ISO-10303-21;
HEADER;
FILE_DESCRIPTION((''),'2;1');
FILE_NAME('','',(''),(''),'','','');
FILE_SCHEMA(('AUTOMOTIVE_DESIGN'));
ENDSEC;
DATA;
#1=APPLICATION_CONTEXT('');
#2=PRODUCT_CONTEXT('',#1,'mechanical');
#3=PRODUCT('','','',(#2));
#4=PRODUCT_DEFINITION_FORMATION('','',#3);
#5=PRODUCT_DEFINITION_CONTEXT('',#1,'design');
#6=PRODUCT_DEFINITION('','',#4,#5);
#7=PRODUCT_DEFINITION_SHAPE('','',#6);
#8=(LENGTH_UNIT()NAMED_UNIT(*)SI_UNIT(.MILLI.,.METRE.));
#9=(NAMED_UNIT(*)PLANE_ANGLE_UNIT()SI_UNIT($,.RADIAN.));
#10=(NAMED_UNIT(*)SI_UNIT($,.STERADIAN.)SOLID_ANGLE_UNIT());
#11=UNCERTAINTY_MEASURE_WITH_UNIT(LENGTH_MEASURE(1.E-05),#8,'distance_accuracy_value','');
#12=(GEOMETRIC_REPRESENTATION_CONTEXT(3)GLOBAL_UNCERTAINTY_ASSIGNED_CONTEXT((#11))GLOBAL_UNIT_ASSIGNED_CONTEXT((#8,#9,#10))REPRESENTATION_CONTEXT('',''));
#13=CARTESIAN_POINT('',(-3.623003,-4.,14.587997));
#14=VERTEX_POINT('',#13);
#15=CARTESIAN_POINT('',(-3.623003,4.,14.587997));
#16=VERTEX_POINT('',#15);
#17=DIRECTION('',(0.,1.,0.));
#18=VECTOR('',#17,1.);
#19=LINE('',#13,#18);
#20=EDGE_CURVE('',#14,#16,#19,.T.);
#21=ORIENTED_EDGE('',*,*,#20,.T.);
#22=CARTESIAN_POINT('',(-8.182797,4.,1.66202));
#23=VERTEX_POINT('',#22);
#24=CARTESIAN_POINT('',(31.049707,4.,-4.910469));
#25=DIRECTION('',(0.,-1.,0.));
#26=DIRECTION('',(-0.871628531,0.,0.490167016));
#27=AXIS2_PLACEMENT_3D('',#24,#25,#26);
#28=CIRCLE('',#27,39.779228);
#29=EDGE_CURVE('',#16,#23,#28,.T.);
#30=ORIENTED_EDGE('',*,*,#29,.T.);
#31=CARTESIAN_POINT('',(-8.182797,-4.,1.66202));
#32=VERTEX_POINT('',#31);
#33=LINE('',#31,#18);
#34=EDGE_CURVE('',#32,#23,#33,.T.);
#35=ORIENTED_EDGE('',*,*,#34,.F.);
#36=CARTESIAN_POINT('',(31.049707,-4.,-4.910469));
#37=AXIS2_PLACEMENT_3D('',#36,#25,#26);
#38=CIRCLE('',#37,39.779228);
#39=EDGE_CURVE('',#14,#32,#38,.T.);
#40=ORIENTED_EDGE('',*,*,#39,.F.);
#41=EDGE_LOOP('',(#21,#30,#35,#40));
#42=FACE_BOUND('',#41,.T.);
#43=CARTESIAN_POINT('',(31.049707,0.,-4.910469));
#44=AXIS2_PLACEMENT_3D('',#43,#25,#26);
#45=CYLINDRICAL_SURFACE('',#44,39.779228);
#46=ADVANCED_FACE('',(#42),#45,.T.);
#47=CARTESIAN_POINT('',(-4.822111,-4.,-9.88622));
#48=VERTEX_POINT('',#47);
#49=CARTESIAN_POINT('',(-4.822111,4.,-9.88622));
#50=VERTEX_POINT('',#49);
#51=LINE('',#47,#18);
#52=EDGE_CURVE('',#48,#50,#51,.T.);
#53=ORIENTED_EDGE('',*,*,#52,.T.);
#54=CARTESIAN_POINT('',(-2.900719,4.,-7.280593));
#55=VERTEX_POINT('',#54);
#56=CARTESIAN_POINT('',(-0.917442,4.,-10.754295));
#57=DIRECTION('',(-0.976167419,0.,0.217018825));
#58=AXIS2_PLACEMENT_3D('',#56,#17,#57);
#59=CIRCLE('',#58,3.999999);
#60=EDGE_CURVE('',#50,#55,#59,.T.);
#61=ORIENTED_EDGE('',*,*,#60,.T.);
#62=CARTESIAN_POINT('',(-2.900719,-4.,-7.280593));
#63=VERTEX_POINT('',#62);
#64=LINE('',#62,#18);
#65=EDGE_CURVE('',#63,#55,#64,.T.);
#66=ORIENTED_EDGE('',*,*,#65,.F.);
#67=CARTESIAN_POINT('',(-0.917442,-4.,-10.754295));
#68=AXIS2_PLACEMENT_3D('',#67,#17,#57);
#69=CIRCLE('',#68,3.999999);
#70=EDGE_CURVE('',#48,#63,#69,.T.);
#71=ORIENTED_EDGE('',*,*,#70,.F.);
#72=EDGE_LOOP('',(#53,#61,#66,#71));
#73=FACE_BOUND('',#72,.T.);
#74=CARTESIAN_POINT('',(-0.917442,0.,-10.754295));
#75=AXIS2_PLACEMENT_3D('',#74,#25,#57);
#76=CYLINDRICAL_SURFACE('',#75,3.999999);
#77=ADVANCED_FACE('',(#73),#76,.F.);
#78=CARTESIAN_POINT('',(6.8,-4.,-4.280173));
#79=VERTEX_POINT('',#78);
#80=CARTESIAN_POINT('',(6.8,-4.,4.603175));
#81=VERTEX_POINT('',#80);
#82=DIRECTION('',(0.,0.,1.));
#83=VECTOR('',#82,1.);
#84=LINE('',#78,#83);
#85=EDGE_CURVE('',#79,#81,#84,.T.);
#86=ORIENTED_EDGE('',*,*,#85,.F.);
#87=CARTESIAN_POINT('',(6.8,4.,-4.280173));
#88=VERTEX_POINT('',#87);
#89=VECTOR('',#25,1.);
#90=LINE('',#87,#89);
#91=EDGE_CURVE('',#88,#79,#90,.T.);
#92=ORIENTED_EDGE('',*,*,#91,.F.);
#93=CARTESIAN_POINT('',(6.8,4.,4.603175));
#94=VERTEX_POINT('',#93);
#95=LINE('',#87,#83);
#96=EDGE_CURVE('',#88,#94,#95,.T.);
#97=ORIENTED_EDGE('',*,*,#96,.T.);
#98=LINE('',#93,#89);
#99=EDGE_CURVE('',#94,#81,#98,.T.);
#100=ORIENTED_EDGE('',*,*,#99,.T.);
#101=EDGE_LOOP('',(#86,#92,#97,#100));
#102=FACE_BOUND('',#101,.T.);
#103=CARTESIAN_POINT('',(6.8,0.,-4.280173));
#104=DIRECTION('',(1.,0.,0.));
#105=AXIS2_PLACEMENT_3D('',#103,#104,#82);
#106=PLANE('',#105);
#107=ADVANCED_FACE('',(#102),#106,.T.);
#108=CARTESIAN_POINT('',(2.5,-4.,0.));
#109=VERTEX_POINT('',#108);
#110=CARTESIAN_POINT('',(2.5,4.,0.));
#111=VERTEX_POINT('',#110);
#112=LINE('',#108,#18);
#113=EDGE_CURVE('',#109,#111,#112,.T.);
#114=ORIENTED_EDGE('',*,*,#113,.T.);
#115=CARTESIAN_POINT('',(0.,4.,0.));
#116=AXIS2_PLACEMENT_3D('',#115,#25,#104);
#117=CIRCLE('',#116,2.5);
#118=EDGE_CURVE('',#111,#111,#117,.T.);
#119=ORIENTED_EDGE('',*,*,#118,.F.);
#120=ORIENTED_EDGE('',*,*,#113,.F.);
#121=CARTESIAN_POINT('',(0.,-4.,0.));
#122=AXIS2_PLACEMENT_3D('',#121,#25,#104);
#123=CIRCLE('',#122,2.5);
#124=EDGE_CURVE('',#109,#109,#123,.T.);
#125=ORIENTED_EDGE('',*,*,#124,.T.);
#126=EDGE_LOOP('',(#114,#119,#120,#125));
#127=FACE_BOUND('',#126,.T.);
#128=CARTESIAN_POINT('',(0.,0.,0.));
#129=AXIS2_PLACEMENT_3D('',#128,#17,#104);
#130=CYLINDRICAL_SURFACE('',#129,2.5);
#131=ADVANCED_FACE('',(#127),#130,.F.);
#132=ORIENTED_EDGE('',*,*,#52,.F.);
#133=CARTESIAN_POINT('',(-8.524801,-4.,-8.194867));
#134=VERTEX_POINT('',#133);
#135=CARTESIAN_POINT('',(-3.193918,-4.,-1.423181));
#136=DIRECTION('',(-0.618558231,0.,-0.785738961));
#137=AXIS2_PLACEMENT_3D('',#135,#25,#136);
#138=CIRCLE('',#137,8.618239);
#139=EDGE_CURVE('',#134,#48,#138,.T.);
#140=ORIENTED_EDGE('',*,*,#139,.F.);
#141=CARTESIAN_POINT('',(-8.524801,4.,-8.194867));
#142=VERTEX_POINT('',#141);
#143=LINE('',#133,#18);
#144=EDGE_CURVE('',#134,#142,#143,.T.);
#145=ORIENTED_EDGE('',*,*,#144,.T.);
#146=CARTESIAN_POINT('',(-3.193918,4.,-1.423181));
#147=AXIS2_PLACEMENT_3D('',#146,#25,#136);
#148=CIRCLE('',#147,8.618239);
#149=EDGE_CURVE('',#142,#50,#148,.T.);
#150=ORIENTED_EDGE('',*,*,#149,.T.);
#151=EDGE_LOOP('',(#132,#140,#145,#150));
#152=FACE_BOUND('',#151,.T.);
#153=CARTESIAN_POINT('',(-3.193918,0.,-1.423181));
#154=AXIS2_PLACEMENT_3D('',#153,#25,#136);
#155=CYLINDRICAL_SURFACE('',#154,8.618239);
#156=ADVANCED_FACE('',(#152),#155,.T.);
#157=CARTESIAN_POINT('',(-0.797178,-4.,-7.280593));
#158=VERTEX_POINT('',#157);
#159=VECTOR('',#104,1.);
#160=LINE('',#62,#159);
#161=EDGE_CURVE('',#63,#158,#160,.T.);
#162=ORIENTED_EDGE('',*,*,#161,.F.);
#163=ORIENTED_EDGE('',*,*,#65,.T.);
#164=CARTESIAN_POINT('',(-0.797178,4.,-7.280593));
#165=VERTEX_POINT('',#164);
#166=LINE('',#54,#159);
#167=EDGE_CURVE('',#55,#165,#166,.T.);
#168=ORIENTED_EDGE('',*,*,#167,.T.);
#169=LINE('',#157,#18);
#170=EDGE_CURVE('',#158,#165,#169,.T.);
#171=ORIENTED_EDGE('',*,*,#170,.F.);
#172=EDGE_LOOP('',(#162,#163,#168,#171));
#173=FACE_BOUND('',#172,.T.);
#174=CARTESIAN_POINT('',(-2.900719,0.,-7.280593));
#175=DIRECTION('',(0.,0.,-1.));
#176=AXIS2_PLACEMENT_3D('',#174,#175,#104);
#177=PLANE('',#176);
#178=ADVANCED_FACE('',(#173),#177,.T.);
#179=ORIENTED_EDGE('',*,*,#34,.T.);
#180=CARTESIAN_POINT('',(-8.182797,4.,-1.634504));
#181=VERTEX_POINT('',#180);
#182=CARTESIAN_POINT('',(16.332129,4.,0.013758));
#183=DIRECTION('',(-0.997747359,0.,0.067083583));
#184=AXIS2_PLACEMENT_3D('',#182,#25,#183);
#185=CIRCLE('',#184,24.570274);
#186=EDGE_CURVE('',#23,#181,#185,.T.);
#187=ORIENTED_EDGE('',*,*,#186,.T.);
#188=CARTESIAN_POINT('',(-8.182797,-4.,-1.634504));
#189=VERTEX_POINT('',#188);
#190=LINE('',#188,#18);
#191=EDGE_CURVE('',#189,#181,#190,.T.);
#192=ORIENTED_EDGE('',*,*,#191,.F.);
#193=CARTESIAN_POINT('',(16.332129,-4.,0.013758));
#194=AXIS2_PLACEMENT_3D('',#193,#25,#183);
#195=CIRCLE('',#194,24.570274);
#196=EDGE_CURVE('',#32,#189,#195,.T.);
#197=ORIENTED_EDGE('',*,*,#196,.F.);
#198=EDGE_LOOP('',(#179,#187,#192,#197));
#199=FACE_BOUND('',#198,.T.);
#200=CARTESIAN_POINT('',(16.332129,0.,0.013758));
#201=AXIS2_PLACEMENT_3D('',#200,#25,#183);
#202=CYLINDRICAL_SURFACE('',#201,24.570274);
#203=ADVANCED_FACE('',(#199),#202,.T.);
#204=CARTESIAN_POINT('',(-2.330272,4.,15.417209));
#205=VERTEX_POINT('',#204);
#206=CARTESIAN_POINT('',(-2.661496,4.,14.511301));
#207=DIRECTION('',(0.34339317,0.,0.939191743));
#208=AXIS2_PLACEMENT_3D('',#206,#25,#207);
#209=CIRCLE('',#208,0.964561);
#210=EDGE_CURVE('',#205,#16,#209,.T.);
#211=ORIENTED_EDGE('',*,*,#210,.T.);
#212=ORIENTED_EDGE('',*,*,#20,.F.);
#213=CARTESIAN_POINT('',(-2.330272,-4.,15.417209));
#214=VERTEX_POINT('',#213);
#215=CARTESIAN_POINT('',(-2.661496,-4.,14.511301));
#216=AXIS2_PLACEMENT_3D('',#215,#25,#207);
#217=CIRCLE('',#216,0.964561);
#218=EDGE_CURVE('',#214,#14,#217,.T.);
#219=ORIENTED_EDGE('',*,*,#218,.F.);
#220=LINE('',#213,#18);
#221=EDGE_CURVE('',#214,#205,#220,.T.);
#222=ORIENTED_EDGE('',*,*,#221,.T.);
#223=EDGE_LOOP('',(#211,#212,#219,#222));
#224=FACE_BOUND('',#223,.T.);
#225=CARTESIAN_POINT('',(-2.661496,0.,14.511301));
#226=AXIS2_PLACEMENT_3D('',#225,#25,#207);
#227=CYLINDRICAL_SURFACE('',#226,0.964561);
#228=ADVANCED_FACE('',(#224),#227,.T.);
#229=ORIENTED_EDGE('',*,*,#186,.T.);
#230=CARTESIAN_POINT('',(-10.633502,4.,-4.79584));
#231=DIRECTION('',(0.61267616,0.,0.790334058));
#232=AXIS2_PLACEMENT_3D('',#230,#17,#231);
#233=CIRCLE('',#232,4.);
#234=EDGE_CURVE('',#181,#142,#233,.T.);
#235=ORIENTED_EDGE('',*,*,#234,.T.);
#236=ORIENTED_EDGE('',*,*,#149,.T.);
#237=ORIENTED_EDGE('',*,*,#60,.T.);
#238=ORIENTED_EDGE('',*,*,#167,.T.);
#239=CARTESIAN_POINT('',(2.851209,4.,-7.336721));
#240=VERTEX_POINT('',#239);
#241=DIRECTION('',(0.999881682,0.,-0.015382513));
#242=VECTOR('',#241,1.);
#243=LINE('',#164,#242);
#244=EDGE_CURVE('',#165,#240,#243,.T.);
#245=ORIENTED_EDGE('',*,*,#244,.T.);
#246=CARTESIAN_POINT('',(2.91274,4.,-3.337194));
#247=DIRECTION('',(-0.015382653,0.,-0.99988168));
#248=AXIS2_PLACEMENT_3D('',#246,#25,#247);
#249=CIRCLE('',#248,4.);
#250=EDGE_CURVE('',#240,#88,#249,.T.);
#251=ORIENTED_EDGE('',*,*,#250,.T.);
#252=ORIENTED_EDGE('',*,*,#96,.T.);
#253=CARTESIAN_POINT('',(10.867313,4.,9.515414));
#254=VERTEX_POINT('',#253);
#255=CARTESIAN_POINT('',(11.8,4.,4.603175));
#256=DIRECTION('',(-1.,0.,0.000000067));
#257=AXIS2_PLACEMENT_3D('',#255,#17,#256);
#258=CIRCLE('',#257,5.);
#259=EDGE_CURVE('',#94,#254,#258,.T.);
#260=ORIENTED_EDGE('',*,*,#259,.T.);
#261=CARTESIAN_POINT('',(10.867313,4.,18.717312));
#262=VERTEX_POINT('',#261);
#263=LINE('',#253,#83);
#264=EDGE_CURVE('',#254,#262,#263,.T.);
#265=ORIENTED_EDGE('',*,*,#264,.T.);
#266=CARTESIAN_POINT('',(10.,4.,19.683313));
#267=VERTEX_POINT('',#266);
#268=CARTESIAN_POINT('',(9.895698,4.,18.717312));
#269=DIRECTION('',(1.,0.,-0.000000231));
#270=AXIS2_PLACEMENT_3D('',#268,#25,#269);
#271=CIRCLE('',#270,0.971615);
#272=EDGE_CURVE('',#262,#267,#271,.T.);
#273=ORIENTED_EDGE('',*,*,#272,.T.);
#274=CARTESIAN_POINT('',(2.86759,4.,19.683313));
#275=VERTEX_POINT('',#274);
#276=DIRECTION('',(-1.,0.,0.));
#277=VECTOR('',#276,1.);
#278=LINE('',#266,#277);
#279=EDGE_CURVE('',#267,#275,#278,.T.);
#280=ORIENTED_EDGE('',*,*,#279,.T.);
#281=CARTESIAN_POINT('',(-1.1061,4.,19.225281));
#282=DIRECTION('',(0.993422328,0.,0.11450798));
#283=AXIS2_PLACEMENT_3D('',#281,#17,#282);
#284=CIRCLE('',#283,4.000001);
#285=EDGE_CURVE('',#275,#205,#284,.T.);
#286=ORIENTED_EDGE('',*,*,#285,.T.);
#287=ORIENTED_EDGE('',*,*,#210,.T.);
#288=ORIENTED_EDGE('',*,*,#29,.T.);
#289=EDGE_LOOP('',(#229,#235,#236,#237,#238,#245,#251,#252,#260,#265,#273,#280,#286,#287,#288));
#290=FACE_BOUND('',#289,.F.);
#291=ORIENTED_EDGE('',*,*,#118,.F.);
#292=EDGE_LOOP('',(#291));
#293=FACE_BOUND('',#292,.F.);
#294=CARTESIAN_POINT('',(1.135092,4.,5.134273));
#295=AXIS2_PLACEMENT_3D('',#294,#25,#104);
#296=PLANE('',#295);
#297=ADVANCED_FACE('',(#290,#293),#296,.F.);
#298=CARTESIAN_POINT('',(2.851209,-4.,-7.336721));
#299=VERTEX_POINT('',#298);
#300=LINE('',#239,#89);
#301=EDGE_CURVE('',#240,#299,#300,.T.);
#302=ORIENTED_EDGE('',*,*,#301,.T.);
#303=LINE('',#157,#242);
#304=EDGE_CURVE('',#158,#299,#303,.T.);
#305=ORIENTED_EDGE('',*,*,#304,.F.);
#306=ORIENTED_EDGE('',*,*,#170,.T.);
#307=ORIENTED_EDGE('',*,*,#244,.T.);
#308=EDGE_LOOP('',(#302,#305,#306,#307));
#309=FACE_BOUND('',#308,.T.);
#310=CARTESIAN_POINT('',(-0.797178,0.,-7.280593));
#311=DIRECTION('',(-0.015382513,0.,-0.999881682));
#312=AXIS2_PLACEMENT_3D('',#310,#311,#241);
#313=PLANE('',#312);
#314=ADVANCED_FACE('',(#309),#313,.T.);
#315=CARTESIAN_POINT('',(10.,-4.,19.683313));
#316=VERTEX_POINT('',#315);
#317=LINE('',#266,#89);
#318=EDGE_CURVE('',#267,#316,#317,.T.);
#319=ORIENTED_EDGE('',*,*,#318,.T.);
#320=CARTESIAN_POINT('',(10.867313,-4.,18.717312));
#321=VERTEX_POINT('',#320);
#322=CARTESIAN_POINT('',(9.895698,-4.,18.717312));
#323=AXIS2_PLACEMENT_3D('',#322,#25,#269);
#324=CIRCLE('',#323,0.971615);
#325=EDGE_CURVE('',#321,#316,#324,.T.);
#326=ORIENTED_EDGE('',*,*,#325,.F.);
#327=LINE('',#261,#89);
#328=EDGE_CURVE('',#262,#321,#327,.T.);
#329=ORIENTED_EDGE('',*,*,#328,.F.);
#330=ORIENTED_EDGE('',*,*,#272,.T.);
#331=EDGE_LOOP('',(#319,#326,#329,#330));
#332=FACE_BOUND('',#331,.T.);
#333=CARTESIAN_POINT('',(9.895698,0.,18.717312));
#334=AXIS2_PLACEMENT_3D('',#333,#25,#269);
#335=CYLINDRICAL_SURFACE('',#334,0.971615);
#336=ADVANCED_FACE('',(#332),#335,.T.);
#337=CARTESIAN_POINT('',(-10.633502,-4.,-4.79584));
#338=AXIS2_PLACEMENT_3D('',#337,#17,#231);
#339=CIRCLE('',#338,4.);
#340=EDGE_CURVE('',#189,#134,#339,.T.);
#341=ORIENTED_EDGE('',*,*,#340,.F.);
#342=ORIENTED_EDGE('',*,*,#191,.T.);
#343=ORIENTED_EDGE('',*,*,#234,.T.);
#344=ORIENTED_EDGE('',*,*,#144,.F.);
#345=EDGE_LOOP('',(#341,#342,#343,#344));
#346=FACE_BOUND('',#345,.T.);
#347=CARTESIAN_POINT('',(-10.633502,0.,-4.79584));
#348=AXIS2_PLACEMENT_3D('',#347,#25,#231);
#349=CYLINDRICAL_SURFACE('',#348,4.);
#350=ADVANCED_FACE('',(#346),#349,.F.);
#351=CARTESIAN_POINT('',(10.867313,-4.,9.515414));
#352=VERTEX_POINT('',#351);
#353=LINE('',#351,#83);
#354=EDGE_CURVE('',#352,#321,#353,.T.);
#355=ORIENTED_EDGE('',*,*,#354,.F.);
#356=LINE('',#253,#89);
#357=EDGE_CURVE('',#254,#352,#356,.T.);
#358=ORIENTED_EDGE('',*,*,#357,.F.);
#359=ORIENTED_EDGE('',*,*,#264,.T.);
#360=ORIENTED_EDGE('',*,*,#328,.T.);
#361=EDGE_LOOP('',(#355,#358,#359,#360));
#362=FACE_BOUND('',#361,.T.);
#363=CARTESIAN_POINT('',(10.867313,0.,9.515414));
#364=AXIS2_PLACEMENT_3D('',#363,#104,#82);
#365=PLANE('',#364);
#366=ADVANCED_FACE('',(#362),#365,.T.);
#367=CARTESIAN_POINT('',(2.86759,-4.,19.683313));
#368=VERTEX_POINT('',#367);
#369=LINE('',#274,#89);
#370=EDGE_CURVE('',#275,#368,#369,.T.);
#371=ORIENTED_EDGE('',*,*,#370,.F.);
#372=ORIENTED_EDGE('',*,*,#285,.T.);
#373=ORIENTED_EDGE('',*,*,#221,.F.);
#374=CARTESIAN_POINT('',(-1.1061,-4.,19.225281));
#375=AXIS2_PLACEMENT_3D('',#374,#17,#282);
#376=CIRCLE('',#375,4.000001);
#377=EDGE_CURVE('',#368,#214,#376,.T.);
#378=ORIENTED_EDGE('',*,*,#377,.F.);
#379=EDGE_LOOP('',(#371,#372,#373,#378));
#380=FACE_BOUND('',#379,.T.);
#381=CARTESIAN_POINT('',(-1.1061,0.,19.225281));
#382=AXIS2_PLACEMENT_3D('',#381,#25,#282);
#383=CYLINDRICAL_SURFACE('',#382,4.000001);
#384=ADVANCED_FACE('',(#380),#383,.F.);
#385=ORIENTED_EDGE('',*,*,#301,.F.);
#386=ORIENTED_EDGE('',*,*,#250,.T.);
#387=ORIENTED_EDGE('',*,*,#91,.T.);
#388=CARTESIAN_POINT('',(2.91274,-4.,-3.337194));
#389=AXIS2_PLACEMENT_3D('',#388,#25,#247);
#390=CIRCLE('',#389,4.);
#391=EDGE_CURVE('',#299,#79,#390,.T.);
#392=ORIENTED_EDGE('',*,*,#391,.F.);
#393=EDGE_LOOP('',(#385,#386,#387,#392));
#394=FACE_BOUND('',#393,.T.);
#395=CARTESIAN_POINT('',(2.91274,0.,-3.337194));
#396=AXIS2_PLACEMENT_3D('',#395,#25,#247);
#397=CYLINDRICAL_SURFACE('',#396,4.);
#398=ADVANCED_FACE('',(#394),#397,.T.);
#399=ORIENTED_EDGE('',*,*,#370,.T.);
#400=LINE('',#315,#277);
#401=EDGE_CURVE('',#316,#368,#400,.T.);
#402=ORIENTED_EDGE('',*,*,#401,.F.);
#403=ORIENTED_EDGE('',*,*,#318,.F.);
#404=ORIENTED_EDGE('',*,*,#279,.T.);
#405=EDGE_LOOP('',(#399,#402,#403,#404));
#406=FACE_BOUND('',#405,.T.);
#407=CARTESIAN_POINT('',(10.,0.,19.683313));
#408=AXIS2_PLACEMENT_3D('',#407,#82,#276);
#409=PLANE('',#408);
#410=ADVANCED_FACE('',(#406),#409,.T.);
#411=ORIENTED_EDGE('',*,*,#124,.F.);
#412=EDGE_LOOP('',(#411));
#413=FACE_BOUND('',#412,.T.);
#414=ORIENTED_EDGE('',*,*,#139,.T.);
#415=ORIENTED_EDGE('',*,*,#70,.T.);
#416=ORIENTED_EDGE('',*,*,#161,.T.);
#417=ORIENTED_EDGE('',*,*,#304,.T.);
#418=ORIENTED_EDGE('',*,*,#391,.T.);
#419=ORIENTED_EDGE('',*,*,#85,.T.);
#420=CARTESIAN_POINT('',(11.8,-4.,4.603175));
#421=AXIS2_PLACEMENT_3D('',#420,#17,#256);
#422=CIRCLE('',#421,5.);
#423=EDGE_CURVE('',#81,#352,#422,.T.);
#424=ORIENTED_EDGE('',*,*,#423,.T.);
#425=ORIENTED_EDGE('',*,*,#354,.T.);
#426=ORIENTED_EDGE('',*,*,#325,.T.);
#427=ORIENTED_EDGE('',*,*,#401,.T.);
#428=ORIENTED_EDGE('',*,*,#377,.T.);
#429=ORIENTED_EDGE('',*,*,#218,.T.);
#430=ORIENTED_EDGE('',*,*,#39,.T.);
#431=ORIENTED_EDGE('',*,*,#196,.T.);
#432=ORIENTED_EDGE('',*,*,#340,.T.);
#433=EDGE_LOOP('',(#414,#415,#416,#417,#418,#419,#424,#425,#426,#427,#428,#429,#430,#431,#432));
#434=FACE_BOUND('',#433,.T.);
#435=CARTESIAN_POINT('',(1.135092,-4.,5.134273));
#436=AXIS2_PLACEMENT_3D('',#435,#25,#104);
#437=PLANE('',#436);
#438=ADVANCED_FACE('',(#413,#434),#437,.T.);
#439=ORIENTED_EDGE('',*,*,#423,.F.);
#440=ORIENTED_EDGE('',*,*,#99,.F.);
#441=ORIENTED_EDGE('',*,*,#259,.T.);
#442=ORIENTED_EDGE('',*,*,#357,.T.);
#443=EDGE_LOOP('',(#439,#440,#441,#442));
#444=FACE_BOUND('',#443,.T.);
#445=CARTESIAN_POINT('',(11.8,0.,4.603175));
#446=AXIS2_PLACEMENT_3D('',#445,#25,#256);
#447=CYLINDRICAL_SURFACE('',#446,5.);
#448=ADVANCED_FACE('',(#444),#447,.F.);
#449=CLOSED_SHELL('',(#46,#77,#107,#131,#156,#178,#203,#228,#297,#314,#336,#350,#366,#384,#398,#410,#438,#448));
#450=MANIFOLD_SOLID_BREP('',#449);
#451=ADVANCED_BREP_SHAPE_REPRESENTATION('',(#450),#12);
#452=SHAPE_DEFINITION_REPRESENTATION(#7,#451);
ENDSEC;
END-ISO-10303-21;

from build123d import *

# Parameters (mm, degrees)
F0_R     = 2.5
F1_DEPTH = 4


with BuildPart() as f1:
    # F0 (on Front) → F1 (new body, symmetric)
    with BuildSketch(Plane.XZ):
        with BuildLine():
            Line((-0.797178, -7.280593), (2.851209, -7.336721))
            ThreePointArc((2.851209, -7.336721), (5.361142, -6.500314), (6.8, -4.280173))
            Line((6.8, -4.280173), (6.8, 4.603175))
            ThreePointArc((6.8, 4.603175), (7.948803, 7.791949), (10.867313, 9.515414))
            Line((10.867313, 9.515414), (10.867313, 18.717312))
            ThreePointArc((10.867313, 18.717312), (10.61867, 19.366425), (10, 19.683313))
            Line((10, 19.683313), (2.86759, 19.683313))
            ThreePointArc((2.86759, 19.683313), (1.43159, 16.133334), (-2.330272, 15.417209))
            ThreePointArc((-2.330272, 15.417209), (-3.182277, 15.323191), (-3.623003, 14.587997))
            ThreePointArc((-3.623003, 14.587997), (-6.463829, 8.322883), (-8.182797, 1.66202))
            ThreePointArc((-8.182797, 1.66202), (-8.238145, 0.013758), (-8.182797, -1.634504))
            ThreePointArc((-8.182797, -1.634504), (-6.638926, -5.004085), (-8.524801, -8.194867))
            ThreePointArc((-8.524801, -8.194867), (-6.774749, -9.262294), (-4.822111, -9.88622))
            ThreePointArc((-4.822111, -9.88622), (-4.136805, -8.380333), (-2.900719, -7.280593))
            Line((-2.900719, -7.280593), (-0.797178, -7.280593))
        make_face()
        Circle(F0_R, mode=Mode.SUBTRACT)
    extrude(amount=F1_DEPTH, both=True)


solid = f1.part
